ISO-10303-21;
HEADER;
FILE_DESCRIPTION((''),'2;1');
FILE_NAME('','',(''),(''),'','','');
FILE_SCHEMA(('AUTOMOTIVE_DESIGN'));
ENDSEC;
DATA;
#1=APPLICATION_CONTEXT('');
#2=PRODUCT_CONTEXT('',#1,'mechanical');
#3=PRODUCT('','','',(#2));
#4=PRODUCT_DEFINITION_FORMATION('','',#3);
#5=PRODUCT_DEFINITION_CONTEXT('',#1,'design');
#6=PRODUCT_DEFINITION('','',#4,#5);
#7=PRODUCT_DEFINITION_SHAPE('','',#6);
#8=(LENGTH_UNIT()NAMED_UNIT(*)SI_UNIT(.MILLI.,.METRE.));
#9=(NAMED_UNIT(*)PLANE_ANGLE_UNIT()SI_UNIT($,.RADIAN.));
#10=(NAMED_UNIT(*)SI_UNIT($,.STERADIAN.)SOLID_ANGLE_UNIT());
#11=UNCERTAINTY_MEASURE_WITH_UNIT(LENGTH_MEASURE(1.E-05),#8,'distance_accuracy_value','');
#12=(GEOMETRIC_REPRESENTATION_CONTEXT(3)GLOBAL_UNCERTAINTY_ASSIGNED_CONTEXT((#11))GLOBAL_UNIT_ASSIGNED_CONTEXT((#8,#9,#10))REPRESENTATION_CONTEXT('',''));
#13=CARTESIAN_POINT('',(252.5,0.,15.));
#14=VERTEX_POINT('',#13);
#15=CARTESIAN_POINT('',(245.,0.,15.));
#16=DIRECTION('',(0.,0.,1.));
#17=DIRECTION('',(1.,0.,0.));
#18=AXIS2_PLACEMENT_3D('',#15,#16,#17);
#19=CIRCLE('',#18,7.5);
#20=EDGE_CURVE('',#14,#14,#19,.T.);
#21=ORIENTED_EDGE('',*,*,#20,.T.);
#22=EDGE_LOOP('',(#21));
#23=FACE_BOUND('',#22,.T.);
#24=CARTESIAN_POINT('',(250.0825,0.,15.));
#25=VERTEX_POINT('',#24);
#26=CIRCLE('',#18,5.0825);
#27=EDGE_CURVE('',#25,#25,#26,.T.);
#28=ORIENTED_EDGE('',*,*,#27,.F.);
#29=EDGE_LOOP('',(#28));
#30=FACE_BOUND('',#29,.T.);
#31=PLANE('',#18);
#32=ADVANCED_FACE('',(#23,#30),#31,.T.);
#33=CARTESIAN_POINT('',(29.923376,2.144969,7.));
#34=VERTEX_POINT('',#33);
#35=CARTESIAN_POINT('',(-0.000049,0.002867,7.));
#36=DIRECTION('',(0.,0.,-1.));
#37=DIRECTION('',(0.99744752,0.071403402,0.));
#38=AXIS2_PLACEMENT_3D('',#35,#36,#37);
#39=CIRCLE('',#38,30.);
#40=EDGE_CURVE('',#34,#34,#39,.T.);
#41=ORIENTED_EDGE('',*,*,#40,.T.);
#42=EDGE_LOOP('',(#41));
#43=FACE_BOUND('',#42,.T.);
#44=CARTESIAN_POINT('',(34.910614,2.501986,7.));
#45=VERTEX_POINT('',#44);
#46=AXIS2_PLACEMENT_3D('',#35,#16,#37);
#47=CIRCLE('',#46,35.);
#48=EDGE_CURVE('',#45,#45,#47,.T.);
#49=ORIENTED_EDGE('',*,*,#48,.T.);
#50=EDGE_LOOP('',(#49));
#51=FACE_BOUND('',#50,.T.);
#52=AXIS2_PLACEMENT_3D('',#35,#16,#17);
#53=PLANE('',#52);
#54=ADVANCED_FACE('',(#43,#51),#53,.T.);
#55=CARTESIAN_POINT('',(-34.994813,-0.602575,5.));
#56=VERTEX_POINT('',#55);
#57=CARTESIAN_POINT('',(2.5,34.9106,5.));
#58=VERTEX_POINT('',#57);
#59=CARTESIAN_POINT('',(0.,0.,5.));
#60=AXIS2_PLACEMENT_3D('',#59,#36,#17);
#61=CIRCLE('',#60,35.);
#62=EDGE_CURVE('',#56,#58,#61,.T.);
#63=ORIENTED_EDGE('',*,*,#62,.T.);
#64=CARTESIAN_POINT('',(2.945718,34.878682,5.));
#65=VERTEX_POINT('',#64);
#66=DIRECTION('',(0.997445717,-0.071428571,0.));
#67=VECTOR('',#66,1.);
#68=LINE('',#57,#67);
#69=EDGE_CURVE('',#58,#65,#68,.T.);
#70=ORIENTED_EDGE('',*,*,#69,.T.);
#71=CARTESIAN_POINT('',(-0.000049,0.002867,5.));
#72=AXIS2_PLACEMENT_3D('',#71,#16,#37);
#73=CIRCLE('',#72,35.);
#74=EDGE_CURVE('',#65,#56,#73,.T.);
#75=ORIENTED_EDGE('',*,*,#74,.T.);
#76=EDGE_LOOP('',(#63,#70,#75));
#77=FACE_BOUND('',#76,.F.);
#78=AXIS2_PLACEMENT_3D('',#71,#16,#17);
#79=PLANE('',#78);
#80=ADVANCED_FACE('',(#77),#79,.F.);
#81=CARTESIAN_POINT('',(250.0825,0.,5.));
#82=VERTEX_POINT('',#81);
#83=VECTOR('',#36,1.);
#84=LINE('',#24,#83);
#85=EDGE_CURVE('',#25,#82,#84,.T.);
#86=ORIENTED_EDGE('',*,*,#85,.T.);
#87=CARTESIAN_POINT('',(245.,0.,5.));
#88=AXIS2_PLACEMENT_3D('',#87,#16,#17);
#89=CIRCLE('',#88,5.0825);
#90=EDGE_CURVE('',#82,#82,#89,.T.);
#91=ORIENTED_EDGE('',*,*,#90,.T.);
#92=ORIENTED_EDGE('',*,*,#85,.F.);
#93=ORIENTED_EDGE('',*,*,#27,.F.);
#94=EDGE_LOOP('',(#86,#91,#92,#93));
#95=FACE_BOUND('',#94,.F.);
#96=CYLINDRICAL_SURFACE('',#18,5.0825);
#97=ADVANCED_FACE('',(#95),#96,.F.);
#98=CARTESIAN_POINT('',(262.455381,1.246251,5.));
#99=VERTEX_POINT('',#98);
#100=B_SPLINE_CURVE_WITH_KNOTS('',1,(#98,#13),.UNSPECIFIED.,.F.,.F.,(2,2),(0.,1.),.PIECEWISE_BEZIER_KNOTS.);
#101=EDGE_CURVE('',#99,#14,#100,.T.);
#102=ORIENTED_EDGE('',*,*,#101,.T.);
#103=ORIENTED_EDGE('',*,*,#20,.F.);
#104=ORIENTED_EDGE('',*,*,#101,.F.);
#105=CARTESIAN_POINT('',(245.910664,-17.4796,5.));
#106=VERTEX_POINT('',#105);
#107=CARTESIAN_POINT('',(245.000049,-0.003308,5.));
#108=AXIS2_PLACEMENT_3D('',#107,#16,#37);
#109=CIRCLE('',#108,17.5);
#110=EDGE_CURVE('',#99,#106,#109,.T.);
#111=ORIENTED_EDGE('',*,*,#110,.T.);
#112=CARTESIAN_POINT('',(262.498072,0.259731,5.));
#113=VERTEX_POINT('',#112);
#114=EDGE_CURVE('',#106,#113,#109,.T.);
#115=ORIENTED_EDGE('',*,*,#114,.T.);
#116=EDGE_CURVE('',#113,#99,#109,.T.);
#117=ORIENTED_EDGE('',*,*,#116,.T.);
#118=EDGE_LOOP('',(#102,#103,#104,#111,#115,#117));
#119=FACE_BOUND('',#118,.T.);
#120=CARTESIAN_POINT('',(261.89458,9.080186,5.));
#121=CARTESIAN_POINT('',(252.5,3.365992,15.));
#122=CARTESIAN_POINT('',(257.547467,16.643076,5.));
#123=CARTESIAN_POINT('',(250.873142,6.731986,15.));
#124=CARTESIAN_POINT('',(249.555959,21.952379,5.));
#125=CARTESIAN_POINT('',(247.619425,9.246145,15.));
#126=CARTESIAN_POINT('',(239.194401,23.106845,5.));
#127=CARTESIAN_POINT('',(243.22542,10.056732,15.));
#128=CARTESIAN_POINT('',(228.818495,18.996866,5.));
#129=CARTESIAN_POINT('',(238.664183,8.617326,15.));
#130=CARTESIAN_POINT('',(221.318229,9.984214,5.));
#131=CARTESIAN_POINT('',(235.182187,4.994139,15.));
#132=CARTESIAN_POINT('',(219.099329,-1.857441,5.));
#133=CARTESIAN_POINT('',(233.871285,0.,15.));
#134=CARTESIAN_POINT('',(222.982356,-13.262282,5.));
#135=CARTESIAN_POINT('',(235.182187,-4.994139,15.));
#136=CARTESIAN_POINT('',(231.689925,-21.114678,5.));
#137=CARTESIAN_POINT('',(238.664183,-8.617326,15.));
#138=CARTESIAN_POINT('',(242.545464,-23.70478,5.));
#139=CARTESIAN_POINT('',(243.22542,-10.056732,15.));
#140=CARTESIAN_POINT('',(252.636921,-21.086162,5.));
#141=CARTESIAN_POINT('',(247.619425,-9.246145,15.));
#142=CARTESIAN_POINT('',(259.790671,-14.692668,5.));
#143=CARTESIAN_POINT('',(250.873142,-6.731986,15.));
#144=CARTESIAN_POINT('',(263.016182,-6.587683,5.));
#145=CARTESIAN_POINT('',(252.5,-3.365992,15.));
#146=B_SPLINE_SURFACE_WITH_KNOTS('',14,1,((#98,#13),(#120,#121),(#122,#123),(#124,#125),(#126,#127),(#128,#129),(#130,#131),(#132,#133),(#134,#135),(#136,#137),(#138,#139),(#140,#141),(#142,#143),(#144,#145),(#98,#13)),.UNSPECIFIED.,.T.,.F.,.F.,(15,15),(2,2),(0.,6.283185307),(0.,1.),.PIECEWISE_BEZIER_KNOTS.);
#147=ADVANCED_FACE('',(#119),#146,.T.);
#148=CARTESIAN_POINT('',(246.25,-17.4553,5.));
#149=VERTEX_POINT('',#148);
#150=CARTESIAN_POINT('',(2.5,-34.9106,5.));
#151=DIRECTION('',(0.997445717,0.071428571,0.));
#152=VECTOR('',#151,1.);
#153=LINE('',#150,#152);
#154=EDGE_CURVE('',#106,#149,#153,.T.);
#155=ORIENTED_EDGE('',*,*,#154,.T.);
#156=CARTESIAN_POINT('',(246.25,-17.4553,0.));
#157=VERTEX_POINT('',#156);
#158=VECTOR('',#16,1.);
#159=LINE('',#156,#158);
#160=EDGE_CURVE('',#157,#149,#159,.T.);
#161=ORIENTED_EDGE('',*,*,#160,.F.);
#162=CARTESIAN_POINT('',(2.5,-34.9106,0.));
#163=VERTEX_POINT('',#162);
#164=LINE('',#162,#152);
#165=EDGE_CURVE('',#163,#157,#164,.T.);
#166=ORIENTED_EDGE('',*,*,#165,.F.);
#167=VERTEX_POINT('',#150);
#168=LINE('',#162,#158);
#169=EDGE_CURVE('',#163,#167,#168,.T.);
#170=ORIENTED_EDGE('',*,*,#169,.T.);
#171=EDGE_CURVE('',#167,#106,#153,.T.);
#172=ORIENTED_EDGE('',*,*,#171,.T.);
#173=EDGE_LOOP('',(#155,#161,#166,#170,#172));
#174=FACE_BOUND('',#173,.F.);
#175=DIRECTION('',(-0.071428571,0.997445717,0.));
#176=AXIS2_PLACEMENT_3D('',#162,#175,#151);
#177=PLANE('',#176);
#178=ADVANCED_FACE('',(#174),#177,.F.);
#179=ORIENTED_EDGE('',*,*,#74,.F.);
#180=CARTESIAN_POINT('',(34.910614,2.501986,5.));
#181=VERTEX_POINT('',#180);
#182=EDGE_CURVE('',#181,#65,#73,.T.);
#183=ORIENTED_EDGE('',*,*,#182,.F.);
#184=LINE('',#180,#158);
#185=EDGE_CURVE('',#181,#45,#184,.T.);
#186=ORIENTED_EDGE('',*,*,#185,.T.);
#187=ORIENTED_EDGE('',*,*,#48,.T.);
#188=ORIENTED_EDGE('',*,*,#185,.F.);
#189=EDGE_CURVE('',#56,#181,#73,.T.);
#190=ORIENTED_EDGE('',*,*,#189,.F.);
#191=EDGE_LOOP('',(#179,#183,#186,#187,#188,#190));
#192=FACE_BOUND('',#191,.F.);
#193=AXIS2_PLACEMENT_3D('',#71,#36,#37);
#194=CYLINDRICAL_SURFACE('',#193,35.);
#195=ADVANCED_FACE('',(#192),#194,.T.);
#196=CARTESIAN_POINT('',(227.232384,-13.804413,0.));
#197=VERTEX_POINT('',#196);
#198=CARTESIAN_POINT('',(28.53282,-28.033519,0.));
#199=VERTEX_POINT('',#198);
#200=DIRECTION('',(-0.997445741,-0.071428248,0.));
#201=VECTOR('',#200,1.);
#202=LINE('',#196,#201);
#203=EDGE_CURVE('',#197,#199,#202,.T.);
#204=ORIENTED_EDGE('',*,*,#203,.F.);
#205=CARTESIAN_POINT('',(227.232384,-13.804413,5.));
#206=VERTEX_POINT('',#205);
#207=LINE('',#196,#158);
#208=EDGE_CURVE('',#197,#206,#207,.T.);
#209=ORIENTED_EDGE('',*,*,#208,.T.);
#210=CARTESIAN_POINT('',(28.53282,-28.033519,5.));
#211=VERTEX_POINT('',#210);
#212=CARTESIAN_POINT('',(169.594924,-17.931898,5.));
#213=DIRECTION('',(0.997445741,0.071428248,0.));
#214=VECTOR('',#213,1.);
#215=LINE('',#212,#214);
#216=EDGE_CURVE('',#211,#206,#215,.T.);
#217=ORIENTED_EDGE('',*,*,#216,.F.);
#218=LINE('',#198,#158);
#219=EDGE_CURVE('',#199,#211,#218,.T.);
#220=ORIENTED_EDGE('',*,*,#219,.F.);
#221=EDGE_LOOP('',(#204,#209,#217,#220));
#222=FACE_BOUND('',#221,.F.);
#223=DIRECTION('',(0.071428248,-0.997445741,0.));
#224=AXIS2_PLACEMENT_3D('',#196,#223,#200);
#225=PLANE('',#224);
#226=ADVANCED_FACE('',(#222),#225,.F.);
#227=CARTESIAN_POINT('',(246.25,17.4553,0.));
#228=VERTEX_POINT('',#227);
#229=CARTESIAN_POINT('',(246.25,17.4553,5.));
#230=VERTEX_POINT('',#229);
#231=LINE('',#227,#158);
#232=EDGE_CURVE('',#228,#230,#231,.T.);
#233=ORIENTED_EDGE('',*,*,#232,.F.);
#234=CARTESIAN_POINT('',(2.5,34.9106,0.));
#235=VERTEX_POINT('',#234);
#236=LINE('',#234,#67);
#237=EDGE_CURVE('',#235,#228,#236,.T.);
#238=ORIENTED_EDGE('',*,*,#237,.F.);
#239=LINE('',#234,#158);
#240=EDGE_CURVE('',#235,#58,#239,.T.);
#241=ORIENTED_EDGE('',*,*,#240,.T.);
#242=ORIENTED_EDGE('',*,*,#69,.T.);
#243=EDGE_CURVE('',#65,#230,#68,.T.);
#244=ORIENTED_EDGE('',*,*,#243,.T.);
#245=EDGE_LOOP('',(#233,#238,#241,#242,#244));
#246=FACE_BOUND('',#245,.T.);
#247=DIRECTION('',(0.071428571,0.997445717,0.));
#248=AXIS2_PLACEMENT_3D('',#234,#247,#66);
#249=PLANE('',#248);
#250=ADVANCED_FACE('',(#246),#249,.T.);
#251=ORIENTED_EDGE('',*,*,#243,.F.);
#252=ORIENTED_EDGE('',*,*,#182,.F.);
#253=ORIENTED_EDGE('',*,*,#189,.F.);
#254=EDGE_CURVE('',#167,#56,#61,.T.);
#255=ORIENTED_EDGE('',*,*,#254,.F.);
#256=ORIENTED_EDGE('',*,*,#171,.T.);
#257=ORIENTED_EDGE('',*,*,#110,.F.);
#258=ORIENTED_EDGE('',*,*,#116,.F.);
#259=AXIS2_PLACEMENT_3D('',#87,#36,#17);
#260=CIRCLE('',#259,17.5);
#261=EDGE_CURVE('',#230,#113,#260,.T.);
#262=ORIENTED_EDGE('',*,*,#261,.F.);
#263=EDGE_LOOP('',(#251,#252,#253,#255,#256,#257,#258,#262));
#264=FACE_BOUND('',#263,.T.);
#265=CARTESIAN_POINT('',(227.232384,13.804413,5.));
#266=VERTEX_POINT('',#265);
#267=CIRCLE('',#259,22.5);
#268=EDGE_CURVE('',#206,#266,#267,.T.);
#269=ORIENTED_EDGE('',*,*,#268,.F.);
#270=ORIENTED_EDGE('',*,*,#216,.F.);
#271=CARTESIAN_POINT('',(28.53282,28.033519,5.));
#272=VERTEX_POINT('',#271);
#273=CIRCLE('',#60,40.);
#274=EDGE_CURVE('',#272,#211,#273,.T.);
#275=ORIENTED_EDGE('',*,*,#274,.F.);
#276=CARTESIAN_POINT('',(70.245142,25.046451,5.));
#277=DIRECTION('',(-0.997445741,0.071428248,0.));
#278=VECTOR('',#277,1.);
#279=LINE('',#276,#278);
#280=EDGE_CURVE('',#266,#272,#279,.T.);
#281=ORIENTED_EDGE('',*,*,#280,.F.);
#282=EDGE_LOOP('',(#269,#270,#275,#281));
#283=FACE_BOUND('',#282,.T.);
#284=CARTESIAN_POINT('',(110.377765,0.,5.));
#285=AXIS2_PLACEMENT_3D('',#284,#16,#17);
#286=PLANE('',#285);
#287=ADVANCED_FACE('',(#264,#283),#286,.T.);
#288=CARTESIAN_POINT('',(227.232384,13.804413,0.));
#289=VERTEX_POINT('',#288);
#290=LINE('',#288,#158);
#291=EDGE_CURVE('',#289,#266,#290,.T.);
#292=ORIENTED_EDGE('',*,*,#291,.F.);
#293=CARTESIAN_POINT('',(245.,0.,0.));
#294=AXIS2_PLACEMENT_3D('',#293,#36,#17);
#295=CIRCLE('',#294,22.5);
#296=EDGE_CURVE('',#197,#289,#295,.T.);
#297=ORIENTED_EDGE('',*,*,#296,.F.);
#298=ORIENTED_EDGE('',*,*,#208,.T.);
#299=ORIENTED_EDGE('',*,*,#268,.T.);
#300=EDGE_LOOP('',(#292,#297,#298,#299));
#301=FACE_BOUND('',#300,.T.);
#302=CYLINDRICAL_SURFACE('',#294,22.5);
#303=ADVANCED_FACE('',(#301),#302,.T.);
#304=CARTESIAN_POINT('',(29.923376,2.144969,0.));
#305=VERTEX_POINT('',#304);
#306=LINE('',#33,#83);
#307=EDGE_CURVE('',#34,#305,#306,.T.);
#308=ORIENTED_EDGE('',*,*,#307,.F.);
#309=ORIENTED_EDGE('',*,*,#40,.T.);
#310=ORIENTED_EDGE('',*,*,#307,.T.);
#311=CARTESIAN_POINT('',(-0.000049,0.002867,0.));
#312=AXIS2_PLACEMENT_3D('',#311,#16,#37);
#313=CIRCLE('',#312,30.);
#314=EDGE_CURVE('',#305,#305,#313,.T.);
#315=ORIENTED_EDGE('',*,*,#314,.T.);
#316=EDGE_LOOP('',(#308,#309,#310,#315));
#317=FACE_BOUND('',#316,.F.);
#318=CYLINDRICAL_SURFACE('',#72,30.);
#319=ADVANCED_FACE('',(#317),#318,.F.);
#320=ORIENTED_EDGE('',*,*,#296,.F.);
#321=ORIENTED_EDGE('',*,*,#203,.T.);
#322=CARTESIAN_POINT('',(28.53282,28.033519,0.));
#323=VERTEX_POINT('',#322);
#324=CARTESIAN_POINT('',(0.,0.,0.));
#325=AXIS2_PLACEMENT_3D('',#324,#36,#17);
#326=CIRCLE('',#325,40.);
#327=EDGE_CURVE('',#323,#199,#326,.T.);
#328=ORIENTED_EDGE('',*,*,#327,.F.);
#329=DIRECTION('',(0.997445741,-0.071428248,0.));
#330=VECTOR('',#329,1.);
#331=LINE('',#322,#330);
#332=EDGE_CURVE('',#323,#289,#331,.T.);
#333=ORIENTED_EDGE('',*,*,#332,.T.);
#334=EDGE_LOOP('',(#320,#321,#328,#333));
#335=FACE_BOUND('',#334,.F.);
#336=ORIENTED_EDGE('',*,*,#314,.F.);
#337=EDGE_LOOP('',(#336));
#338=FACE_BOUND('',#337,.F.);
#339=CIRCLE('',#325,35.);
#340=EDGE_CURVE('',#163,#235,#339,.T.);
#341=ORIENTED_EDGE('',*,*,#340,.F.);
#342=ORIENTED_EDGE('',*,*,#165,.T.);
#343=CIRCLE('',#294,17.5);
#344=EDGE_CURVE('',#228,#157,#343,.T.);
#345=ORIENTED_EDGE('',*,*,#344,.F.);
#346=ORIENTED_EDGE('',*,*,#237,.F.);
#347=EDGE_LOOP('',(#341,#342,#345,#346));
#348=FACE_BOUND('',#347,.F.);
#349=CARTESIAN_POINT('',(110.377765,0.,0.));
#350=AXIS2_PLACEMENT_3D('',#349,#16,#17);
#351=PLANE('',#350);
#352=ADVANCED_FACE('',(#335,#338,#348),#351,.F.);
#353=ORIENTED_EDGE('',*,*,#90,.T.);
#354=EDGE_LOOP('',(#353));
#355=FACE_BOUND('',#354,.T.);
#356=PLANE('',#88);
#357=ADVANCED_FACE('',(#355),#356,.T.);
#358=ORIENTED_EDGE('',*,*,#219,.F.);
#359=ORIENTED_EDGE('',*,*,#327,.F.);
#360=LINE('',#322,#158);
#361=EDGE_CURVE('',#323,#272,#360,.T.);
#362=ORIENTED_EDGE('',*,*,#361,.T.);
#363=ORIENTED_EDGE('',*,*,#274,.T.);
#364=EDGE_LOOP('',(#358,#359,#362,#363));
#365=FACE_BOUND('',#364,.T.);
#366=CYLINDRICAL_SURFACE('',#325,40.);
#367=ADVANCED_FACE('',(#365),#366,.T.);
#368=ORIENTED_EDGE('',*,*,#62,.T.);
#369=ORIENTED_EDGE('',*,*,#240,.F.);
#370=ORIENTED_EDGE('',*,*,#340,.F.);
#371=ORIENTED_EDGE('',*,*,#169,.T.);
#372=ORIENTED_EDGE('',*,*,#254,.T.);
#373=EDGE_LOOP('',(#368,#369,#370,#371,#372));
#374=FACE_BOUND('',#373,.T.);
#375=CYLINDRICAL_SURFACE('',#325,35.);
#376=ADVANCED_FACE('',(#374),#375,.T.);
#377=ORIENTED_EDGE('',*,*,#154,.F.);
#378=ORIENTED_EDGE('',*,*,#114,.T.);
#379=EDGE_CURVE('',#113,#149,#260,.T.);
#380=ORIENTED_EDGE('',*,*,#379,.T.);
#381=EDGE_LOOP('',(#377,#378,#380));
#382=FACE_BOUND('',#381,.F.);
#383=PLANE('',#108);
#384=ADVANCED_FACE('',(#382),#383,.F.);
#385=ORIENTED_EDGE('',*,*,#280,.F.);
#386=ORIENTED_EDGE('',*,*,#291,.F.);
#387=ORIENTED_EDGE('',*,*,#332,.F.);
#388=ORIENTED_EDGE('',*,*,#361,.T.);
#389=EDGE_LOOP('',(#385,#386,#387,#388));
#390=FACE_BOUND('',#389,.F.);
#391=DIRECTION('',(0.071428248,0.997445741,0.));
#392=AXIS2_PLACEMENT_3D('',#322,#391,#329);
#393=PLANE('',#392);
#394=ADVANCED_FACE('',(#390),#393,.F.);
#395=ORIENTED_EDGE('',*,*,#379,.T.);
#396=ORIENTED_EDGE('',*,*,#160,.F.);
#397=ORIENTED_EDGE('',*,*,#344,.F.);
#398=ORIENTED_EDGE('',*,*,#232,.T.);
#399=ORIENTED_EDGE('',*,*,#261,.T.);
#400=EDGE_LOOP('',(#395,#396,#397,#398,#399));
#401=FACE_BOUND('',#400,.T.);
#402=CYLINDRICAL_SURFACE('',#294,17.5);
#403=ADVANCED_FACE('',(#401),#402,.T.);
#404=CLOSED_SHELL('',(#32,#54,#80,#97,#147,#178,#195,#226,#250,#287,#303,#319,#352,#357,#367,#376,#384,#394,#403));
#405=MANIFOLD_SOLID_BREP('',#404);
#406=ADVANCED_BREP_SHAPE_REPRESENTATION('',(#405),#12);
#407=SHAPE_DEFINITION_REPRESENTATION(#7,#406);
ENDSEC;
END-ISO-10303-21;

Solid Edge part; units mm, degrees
sketch "Sketch1" plane through (0, 0, 0) normal (0, 0, 1) x (1, 0, 0)
  line L0 (2.5, -34.9106) -> (246.25, -17.4553)
  line L1 (2.5, 34.9106) -> (246.25, 17.4553)
  arc A0 (246.25, 17.4553) -> (246.25, -17.4553) centre (245, 0) cw
  arc A1 (2.5, -34.9106) -> (2.5, 34.9106) centre (0, 0) cw
extrude "ExtrudedProtrusion_7" add sketch "Sketch1" along normal blind 5
sketch "Sketch2" plane through (113.75, 0, 5) normal (0, 0, 1) x (0.9974, 0.0714, 0)
  circle A0 centre (-113.4595, 8.125) radius 35
extrude "ExtrudedProtrusion_8" add sketch "Sketch2" along normal blind 2
sketch "Sketch3" plane through (113.75, 0, 5) normal (0, 0, 1) x (0.9974, 0.0714, 0)
  circle A0 centre (-113.4595, 8.125) radius 30
extrude "ExtrudedCutout_9" cut sketch "Sketch3" along normal mid plane 51.5689
sketch "Sketch4" plane through (113.75, 0, 5) normal (0, 0, 1) x (0.9974, 0.0714, 0)
  circle A0 centre (130.9148, -9.375) radius 17.5
sketch "Sketch5" plane through (0, 0, 15) normal (0, 0, 1) x (1, 0, 0)
  circle A0 centre (245, 0) radius 7.5
loft "LoftedProtrusion1" add profiles "Sketch4", "Sketch5"
sketch "Sketch6" plane through (0, 0, 0) normal (0, 0, 1) x (1, 0, 0)
  line L0 (227.2324, -13.8044) -> (28.5328, -28.0335)
  line L1 (28.5328, 28.0335) -> (227.2324, 13.8044)
  arc A0 (28.5328, 28.0335) -> (28.5328, -28.0335) centre (0, 0) cw
  arc A1 (227.2324, -13.8044) -> (227.2324, 13.8044) centre (245, 0) cw
extrude "ExtrudedCutout_12" cut sketch "Sketch6" along normal blind 42.1951
sketch "Sketch7" plane through (0, 0, 15) normal (0, 0, 1) x (1, 0, 0)
  circle A0 centre (245, 0) radius 5.0825
extrude "ExtrudedCutout_13" cut sketch "Sketch7" against normal blind 10
